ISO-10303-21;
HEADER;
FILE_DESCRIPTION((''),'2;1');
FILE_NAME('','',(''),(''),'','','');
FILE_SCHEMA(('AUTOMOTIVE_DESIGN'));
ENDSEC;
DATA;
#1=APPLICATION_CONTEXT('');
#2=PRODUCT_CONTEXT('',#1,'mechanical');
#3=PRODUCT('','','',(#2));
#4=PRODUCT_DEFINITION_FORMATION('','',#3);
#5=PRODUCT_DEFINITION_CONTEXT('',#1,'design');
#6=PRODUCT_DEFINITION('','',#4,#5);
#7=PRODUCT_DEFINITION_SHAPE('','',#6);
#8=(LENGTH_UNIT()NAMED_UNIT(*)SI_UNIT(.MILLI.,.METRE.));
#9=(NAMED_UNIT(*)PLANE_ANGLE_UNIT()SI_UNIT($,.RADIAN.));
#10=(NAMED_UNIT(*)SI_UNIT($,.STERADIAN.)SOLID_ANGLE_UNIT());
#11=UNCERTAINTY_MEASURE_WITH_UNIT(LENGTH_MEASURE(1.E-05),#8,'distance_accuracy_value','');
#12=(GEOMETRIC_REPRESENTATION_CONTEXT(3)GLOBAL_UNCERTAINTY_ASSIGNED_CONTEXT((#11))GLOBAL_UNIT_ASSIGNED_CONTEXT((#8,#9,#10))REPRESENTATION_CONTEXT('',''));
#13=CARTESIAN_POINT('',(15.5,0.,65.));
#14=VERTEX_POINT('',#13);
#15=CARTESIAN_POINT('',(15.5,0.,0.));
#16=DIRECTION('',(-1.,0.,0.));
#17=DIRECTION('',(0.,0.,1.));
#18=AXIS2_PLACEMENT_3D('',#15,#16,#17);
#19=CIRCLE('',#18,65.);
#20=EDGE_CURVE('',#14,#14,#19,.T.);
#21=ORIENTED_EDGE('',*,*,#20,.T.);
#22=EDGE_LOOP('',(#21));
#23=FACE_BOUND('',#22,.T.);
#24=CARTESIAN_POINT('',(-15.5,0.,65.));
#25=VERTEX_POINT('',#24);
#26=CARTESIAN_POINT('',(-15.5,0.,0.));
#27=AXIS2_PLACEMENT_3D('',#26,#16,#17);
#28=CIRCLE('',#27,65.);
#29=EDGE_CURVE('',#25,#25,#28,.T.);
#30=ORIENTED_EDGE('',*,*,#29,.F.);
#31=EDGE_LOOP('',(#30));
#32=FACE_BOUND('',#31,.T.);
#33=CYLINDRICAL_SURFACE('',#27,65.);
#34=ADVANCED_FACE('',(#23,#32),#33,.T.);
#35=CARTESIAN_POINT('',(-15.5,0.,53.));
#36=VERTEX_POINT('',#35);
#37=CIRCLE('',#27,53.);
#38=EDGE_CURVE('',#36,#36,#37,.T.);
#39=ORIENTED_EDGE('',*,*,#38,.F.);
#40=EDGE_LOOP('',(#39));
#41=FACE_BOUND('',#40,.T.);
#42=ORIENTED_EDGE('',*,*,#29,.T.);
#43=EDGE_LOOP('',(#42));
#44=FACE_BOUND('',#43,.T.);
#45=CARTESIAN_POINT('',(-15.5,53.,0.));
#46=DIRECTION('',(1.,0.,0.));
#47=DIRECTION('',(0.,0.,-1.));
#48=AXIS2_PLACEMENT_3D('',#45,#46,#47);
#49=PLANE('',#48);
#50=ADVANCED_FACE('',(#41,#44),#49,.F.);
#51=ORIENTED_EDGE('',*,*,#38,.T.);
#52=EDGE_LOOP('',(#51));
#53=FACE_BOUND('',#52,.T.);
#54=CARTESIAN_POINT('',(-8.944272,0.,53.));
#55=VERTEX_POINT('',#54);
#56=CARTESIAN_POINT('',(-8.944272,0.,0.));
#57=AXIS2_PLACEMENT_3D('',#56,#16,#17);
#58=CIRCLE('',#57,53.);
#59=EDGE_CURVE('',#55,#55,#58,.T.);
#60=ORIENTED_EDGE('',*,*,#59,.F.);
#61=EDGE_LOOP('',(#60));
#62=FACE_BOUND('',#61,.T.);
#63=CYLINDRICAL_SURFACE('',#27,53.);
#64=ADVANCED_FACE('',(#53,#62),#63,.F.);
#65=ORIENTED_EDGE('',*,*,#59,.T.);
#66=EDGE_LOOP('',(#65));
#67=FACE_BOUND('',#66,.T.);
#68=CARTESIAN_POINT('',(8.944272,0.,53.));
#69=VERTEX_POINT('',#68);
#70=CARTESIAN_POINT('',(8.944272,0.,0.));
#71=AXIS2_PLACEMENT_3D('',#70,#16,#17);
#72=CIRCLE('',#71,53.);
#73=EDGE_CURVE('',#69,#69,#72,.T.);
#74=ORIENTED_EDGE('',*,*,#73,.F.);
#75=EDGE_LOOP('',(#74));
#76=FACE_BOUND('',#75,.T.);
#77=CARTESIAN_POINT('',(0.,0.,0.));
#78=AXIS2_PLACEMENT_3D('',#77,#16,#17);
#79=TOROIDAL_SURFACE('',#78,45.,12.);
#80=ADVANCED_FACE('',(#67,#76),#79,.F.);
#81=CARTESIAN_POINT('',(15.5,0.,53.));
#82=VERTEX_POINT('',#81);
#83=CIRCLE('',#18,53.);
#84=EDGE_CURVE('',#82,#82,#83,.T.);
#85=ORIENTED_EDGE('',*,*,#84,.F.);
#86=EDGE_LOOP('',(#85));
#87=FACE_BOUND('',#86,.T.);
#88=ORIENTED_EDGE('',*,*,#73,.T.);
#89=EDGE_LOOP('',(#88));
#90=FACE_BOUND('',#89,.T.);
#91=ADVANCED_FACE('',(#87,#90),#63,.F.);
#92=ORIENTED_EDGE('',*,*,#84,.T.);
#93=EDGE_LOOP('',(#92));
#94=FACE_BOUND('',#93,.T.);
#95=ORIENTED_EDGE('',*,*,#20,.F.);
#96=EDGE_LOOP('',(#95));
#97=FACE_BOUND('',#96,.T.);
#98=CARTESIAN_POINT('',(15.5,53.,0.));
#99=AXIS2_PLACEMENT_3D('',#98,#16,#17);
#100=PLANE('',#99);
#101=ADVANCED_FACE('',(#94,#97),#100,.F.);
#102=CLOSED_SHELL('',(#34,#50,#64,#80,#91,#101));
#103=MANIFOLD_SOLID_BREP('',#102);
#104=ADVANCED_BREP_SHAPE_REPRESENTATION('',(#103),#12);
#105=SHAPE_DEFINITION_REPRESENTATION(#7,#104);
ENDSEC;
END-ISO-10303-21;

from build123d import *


with BuildPart() as part:
    # Sketch1 → Revolve1 (revolve)
    with BuildSketch(Plane.XY, mode=Mode.PRIVATE) as revolve1_sk:
        with BuildLine():
            Line((-8.94427191, 53), (-15.5, 53))
            Line((-15.5, 53), (-15.5, 65))
            Line((-15.5, 65), (15.5, 65))
            Line((15.5, 65), (15.5, 53))
            Line((15.5, 53), (8.94427191, 53))
            ThreePointArc((8.94427191, 53), (0, 57), (-8.94427191, 53))
        make_face()
    revolve(revolve1_sk.sketch.rotate(Axis((-15.5, 0, 0), (1, 0, 0)), 90), axis=Axis((-15.5, 0, 0), (1, 0, 0)))


solid = part.part
